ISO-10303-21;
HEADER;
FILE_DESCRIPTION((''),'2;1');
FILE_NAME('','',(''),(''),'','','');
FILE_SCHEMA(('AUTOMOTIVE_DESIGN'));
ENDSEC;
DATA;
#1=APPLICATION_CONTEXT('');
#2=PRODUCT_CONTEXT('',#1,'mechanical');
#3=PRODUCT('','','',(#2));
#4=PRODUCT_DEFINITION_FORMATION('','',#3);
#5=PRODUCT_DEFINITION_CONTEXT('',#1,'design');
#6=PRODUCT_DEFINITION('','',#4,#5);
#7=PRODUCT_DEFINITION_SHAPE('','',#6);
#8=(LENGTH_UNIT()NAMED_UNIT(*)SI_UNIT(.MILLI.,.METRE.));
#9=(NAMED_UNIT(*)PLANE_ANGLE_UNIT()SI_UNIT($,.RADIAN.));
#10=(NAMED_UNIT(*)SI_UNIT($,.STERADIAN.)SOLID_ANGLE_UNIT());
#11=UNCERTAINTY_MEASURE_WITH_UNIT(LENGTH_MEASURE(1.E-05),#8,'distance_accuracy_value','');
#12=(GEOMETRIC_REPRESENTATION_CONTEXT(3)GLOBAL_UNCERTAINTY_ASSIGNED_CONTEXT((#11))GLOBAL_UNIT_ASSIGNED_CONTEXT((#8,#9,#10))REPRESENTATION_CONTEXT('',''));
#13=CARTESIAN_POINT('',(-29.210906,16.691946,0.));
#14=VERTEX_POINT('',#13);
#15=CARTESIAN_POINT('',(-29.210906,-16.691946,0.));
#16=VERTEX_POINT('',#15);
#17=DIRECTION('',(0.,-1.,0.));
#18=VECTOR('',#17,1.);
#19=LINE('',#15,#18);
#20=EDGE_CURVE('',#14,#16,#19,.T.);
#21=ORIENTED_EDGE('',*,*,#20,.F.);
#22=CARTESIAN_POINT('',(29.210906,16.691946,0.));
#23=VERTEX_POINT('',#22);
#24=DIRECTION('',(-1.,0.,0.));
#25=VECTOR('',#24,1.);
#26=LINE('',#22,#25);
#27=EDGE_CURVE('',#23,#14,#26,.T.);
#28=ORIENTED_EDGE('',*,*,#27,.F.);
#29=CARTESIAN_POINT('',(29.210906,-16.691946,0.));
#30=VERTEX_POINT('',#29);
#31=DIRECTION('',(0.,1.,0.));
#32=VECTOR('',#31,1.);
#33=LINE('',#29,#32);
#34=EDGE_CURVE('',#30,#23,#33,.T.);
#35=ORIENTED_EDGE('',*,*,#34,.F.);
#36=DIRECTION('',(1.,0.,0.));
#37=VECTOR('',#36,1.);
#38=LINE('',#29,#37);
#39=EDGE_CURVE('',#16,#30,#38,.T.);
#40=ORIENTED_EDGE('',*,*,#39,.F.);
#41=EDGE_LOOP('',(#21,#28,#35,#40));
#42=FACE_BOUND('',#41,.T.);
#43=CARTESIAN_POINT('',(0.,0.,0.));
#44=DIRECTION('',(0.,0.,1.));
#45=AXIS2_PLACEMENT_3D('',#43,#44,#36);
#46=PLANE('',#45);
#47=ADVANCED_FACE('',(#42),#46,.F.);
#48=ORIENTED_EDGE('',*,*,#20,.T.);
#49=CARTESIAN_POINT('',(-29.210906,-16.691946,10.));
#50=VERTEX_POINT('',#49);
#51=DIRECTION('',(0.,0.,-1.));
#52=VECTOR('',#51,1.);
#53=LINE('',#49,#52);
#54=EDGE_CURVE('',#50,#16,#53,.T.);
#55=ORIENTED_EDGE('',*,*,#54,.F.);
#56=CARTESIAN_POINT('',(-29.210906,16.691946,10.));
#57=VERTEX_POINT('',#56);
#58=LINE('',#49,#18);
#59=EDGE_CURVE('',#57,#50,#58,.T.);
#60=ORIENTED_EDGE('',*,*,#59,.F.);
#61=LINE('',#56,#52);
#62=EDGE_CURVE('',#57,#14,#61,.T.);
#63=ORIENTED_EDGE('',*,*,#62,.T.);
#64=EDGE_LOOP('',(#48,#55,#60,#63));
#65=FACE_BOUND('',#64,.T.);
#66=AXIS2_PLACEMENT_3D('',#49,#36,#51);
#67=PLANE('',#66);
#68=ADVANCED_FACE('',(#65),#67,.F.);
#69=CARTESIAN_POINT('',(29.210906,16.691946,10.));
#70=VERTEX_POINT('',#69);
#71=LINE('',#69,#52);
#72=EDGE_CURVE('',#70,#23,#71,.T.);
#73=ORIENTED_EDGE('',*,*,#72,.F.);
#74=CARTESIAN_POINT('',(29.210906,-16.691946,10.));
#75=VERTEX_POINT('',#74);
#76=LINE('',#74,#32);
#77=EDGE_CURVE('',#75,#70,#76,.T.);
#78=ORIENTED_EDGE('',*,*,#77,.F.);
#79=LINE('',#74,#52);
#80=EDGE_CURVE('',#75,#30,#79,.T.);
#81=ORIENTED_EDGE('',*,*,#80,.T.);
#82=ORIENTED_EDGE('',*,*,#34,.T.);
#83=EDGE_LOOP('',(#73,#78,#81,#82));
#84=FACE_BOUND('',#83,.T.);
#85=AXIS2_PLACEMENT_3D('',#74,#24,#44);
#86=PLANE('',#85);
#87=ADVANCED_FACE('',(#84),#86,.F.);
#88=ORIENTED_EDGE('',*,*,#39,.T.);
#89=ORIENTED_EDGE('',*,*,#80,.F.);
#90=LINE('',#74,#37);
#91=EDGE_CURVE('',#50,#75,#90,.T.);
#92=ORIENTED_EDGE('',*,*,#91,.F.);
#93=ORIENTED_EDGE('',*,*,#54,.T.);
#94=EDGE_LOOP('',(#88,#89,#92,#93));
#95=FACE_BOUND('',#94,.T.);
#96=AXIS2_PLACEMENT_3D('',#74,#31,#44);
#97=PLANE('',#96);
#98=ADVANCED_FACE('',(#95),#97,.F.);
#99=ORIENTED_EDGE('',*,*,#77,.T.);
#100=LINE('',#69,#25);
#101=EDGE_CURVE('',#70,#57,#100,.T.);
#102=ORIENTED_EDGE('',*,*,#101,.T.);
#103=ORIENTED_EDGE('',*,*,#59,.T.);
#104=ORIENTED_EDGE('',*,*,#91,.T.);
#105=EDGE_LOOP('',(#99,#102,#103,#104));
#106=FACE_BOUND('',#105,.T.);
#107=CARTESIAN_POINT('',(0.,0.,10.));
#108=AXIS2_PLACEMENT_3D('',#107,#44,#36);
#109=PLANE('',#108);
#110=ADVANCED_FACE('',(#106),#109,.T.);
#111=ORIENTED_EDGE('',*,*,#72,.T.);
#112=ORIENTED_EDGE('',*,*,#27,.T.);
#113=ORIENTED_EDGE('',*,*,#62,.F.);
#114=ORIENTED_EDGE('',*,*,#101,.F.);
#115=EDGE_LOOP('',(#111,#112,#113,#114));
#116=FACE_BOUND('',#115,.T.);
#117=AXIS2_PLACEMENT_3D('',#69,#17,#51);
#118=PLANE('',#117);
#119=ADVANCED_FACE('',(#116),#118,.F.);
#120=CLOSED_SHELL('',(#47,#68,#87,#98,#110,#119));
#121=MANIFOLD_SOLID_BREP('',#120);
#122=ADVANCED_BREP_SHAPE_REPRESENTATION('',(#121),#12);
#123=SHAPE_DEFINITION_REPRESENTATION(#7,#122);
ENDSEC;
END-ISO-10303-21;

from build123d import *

# Parameters (mm, degrees)
SKETCH_1_W      = 58.42181208
SKETCH_1_H      = 33.383892618
EXTRUDE_1_DEPTH = 10


with BuildPart() as part:
    # Эскиз1 → Бобышка-Вытянуть1 (new body)
    with BuildSketch(Plane.XY):
        Rectangle(SKETCH_1_W, SKETCH_1_H)
    extrude(amount=EXTRUDE_1_DEPTH)


solid = part.part
